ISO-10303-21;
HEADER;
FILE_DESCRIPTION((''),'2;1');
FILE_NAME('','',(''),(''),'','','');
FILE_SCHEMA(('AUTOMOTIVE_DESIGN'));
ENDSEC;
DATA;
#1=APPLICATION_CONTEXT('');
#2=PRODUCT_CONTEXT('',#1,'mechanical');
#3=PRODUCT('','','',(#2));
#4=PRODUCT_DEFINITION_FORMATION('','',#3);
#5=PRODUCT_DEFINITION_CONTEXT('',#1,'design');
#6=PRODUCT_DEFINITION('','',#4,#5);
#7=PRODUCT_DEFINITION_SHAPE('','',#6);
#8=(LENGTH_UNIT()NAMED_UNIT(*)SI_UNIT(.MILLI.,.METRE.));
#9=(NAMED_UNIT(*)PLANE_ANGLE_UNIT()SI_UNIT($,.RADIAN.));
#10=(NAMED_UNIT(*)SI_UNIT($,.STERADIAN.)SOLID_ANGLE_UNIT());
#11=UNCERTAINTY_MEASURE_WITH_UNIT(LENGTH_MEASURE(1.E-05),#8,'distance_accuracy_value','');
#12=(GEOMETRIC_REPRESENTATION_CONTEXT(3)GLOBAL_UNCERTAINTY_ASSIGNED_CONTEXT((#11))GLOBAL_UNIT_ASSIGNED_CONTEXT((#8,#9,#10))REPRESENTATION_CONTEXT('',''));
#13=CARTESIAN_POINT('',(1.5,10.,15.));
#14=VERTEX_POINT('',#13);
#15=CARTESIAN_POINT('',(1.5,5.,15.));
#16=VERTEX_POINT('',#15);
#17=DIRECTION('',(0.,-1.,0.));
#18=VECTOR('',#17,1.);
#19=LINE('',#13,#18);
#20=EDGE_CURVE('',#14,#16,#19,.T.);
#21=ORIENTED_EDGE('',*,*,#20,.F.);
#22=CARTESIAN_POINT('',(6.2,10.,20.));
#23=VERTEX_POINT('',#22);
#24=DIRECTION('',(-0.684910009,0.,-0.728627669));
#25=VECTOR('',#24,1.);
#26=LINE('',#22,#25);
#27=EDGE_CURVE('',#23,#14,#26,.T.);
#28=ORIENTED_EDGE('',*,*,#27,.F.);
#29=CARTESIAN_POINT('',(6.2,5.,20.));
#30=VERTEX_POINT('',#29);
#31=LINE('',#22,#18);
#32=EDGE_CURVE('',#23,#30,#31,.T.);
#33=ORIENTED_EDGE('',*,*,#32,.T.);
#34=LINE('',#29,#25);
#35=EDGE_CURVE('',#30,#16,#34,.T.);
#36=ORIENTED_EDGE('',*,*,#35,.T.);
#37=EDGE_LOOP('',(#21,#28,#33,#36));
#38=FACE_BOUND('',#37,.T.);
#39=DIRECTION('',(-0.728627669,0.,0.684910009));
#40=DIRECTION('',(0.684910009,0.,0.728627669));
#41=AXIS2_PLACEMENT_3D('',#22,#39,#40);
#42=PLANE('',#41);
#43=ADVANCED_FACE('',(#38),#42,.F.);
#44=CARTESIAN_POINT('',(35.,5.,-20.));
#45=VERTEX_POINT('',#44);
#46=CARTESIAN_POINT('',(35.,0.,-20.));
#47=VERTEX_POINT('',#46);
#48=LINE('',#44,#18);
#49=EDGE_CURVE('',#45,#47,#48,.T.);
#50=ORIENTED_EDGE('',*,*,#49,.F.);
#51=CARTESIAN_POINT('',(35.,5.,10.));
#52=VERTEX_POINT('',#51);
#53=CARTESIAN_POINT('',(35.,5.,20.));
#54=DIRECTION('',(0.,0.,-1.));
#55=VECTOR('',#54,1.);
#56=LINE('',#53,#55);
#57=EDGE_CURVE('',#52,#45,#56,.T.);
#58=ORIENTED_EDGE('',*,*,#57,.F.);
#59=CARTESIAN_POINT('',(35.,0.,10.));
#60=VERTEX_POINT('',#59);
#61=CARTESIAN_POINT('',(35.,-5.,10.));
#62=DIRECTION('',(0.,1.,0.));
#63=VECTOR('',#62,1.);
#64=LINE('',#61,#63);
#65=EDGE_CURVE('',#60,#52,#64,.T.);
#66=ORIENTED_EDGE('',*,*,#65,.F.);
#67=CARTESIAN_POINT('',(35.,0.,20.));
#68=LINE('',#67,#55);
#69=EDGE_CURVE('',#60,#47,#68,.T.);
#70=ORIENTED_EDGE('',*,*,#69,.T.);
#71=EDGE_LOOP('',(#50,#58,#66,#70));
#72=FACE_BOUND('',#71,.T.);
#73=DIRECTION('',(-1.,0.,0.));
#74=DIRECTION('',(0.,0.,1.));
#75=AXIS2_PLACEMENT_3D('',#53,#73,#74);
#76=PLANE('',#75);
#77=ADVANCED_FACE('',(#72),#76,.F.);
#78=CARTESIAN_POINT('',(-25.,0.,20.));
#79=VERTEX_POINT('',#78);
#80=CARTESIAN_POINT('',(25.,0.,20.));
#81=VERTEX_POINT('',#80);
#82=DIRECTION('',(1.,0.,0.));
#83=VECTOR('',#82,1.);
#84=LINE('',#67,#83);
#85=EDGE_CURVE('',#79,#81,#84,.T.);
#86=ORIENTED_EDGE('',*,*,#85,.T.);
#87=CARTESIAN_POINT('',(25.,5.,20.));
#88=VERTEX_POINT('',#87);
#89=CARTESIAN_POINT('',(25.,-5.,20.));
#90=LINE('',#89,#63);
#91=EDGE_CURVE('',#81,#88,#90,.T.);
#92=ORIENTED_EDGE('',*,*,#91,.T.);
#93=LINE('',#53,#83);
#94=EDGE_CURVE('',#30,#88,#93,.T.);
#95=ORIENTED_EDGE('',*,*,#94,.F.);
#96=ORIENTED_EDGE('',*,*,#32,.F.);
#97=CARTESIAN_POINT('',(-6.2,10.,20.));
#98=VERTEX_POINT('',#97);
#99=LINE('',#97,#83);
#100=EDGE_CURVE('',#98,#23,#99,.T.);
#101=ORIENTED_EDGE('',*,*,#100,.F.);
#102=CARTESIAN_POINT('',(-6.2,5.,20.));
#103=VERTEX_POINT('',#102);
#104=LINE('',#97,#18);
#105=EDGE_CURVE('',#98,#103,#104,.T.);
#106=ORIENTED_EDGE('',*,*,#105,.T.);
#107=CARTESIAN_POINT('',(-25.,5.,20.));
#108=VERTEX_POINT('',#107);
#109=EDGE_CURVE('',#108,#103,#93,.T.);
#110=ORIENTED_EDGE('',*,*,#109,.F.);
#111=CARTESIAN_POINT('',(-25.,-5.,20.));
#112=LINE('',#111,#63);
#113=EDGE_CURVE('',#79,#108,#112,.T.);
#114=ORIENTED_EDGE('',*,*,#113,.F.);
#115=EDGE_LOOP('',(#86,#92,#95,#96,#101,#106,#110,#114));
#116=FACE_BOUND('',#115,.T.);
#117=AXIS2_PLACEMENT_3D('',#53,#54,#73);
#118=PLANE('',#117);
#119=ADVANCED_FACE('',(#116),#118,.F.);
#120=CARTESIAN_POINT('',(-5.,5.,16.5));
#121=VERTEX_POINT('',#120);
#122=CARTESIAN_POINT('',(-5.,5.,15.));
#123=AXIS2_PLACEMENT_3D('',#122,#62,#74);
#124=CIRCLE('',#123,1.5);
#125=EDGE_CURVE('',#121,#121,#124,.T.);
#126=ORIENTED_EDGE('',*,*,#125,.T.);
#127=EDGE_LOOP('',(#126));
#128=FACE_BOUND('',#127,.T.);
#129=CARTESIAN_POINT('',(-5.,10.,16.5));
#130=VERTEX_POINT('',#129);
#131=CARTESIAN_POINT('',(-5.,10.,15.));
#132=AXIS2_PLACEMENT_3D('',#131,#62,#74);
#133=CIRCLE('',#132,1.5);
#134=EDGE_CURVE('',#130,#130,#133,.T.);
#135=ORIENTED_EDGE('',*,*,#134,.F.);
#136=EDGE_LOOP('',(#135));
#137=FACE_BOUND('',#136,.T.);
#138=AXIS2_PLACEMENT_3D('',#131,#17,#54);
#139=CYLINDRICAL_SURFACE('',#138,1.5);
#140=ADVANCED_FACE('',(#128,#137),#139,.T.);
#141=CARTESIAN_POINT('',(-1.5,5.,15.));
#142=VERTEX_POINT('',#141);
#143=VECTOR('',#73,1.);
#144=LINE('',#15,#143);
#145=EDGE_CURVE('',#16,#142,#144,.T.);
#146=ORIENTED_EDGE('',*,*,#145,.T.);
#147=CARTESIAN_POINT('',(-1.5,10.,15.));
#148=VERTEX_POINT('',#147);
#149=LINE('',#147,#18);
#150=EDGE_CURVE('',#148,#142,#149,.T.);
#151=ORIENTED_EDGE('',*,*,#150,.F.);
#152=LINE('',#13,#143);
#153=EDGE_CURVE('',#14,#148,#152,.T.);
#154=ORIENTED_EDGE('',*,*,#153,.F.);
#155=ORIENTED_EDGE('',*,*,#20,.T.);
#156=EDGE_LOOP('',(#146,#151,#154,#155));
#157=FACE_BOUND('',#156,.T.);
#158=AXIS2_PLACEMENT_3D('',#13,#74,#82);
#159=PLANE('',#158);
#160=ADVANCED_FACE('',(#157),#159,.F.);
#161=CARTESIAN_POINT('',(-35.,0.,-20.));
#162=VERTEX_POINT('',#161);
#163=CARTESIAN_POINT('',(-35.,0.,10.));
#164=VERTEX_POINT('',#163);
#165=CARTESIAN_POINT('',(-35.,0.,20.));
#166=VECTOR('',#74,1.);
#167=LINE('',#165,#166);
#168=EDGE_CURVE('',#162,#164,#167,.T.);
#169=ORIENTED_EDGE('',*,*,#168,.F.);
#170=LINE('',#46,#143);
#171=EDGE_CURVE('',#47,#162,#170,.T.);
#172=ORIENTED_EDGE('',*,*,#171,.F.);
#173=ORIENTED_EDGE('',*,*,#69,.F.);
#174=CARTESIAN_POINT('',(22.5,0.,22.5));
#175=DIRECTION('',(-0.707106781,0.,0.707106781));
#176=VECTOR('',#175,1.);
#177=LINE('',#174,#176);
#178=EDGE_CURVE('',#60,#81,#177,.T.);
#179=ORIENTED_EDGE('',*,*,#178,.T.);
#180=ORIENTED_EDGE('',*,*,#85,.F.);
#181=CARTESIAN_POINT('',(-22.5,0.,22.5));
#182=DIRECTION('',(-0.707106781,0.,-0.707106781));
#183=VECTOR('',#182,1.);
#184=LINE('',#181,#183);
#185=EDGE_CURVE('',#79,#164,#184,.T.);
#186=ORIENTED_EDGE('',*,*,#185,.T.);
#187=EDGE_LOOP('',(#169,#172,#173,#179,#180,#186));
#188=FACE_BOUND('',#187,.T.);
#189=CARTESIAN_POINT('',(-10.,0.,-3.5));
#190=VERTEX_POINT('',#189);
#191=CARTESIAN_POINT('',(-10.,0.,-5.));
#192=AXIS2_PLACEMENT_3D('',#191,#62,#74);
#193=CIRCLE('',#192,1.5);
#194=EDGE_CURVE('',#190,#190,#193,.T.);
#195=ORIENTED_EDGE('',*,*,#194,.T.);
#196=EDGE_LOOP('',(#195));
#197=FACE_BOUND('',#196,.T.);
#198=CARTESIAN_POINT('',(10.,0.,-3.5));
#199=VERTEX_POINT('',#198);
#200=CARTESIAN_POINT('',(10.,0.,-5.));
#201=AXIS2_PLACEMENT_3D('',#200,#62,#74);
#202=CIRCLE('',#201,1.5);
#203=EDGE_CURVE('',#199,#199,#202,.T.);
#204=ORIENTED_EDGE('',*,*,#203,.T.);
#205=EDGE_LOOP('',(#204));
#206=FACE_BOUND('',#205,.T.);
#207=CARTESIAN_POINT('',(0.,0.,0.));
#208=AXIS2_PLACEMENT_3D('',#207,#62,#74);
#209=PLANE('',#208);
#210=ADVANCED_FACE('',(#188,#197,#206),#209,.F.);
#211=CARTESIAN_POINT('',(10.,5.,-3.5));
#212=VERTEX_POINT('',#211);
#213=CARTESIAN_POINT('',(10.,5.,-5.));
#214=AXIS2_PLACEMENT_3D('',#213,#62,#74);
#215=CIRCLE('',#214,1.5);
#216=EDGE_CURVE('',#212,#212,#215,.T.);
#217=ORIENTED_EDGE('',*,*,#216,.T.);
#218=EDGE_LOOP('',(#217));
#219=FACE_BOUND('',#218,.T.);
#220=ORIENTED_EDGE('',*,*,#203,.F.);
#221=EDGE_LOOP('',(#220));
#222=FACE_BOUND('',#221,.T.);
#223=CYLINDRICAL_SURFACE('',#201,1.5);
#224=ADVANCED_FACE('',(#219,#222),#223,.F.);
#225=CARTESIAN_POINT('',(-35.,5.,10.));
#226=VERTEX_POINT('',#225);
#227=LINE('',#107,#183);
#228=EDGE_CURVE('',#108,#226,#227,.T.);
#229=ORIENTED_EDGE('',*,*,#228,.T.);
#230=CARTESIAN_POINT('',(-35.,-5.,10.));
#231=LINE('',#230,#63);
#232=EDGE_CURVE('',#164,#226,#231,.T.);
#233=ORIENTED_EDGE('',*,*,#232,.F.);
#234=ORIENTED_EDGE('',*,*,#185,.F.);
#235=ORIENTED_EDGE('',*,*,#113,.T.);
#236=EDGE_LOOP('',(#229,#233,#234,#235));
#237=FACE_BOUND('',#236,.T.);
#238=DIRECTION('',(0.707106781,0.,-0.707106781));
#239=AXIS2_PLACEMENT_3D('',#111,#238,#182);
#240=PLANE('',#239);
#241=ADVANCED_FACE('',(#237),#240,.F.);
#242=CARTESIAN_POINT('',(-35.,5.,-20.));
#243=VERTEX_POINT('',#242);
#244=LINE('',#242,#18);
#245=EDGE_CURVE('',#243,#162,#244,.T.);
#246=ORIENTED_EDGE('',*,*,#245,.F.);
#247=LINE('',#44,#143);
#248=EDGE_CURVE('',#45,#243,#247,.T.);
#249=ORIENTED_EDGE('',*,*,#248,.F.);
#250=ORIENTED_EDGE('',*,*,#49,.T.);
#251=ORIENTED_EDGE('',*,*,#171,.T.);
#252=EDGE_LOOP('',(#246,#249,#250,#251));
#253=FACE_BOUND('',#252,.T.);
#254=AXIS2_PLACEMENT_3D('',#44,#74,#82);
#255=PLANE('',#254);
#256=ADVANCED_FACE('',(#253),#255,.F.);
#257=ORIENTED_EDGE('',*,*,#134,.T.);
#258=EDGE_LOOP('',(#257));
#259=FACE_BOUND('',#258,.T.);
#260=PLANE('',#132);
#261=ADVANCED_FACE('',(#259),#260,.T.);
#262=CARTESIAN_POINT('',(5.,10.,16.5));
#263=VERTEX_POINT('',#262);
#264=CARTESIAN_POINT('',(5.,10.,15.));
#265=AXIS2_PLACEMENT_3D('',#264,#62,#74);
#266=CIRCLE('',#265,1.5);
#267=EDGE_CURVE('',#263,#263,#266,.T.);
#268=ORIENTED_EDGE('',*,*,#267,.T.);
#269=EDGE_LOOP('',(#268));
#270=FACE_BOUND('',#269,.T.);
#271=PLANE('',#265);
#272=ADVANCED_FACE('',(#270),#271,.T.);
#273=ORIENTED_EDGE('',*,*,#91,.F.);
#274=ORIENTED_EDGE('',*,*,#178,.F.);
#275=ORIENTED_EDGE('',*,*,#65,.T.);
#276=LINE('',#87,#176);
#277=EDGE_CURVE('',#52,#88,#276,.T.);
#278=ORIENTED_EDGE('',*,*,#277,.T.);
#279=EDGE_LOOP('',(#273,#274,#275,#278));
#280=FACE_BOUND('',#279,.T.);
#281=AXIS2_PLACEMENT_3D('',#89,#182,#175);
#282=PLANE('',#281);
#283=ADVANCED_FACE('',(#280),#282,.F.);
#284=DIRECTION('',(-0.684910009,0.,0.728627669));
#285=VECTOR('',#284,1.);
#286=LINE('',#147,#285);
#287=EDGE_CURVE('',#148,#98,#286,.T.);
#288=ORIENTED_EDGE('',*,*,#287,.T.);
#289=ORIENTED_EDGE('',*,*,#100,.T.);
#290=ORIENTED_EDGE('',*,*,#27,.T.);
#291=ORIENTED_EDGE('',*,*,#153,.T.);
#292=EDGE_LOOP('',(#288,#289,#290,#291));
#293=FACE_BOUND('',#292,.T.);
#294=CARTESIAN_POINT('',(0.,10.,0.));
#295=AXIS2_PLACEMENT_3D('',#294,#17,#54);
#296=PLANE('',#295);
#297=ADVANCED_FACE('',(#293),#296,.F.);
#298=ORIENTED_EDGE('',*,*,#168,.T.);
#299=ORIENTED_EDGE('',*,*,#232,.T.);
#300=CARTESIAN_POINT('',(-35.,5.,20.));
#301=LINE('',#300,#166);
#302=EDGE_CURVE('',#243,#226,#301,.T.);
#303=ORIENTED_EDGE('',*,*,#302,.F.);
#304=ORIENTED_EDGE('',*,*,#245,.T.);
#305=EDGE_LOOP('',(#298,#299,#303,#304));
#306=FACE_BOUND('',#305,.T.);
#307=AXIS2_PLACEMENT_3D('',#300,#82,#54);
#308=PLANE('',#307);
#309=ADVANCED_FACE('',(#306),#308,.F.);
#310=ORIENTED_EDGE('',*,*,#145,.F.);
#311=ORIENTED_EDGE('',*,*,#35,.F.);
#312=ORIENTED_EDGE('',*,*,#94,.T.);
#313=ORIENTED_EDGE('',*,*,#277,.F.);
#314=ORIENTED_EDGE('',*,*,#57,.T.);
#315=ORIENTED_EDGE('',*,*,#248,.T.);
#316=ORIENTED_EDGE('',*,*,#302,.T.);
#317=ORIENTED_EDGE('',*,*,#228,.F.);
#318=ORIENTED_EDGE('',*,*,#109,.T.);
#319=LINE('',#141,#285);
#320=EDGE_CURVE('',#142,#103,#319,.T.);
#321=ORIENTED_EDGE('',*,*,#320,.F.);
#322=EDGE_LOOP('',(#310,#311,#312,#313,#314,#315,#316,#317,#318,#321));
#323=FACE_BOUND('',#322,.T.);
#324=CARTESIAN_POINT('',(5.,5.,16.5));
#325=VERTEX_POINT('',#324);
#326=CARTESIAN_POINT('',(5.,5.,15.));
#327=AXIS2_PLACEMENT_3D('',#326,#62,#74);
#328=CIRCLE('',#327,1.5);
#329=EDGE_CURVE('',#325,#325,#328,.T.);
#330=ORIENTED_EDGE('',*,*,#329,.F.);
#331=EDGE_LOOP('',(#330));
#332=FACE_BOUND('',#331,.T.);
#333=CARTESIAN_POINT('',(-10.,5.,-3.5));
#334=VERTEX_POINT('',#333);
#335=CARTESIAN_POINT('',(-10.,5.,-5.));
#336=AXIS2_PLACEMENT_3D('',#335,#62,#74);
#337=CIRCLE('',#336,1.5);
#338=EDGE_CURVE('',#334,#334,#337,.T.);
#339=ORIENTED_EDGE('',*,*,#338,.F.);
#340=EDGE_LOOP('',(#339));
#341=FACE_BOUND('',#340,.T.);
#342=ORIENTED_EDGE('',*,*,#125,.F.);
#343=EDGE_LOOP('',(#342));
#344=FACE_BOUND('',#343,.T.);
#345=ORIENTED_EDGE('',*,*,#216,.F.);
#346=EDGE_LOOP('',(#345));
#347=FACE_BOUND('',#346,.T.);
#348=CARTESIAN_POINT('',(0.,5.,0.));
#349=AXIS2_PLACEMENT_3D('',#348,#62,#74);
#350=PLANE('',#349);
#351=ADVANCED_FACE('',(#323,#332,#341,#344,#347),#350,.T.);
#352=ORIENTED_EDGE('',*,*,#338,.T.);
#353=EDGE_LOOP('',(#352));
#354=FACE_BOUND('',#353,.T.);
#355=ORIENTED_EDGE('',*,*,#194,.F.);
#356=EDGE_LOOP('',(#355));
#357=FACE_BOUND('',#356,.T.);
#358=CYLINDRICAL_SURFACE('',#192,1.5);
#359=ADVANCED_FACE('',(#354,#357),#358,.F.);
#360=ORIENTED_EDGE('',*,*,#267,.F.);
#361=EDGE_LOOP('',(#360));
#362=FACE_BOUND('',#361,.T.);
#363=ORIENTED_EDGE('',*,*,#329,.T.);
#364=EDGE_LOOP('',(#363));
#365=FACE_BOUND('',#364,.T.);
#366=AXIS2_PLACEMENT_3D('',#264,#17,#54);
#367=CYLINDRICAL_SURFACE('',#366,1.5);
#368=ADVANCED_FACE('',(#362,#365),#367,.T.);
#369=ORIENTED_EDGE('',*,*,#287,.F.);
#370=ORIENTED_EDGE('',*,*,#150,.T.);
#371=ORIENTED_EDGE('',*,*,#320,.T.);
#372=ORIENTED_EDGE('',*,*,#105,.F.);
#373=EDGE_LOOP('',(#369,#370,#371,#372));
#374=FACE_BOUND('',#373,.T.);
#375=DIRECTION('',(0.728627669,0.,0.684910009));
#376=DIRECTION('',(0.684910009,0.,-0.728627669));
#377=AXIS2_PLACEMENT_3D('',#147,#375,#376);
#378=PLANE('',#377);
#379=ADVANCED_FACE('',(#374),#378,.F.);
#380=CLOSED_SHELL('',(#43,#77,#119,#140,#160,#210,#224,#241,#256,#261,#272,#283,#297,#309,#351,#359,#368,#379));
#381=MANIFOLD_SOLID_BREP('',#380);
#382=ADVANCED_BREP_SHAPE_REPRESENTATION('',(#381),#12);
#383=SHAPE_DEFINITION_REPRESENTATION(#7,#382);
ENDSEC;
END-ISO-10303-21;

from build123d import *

# Parameters (mm, degrees)
SKETCH1_W           = 70
SKETCH1_H           = 40
BOSS_EXTRUDE1_DEPTH = 5
SKETCH2_R           = 1.5
CUT_EXTRUDE1_DEPTH  = 5
SKETCH2_3_R         = 1.5
CUT_EXTRUDE2_DEPTH  = 5
SKETCH3_R           = 1.5
BOSS_EXTRUDE2_DEPTH = 5
SKETCH3_3_R         = 1.5
BOSS_EXTRUDE3_DEPTH = 5
CUT_EXTRUDE3_DEPTH  = 10
CUT_EXTRUDE4_DEPTH  = 10
BOSS_EXTRUDE4_DEPTH = 5


with BuildPart() as part:
    # Sketch1 → Boss-Extrude1 (new body)
    with BuildSketch(Plane(origin=(0, 0, 0), x_dir=(1, 0, 0), z_dir=(0, 1, 0))):
        Rectangle(SKETCH1_W, SKETCH1_H)
    extrude(amount=BOSS_EXTRUDE1_DEPTH)

    # Sketch2 → Cut-Extrude1 (cut)
    with BuildSketch(Plane(origin=(0, 5, 0), x_dir=(1, 0, 0), z_dir=(0, 1, 0))):
        with Locations((-10, 5)):
            Circle(SKETCH2_R)
    extrude(amount=-CUT_EXTRUDE1_DEPTH, mode=Mode.SUBTRACT)

    # Sketch2<3> → Cut-Extrude2 (cut)
    with BuildSketch(Plane(origin=(0, 5, 0), x_dir=(1, 0, 0), z_dir=(0, 1, 0))):
        with Locations((-10, 5)):
            Circle(SKETCH2_3_R)
        with Locations((10, 5)):
            Circle(SKETCH2_3_R)
    extrude(amount=-CUT_EXTRUDE2_DEPTH, mode=Mode.SUBTRACT)

    # Sketch3 → Boss-Extrude2 (add)
    with BuildSketch(Plane(origin=(0, 5, 0), x_dir=(1, 0, 0), z_dir=(0, 1, 0))):
        with Locations((-5, -15)):
            Circle(SKETCH3_R)
    extrude(amount=BOSS_EXTRUDE2_DEPTH)

    # Sketch3<3> → Boss-Extrude3 (add)
    with BuildSketch(Plane(origin=(0, 5, 0), x_dir=(1, 0, 0), z_dir=(0, 1, 0))):
        with Locations((-5, -15)):
            Circle(SKETCH3_3_R)
        with Locations((5, -15)):
            Circle(SKETCH3_3_R)
    extrude(amount=BOSS_EXTRUDE3_DEPTH)

    # Sketch8 → Cut-Extrude3 (cut)
    with BuildSketch(Plane(origin=(0, 5, 0), x_dir=(1, 0, 0), z_dir=(0, 1, 0))):
        Polygon((-25, -20), (-35, -10), (-35, -20), align=None)
    extrude(amount=-CUT_EXTRUDE3_DEPTH, mode=Mode.SUBTRACT)

    # Sketch9 → Cut-Extrude4 (cut)
    with BuildSketch(Plane(origin=(0, 5, 0), x_dir=(1, 0, 0), z_dir=(0, 1, 0))):
        Polygon((35, -20), (25, -20), (35, -10), align=None)
    extrude(amount=-CUT_EXTRUDE4_DEPTH, mode=Mode.SUBTRACT)

    # Sketch13 → Boss-Extrude4 (add)
    with BuildSketch(Plane(origin=(0, 5, 0), x_dir=(1, 0, 0), z_dir=(0, 1, 0))):
        Polygon((-6.2, -20), (6.2, -20), (1.5, -15), (-1.5, -15), align=None)
    extrude(amount=BOSS_EXTRUDE4_DEPTH)


solid = part.part
